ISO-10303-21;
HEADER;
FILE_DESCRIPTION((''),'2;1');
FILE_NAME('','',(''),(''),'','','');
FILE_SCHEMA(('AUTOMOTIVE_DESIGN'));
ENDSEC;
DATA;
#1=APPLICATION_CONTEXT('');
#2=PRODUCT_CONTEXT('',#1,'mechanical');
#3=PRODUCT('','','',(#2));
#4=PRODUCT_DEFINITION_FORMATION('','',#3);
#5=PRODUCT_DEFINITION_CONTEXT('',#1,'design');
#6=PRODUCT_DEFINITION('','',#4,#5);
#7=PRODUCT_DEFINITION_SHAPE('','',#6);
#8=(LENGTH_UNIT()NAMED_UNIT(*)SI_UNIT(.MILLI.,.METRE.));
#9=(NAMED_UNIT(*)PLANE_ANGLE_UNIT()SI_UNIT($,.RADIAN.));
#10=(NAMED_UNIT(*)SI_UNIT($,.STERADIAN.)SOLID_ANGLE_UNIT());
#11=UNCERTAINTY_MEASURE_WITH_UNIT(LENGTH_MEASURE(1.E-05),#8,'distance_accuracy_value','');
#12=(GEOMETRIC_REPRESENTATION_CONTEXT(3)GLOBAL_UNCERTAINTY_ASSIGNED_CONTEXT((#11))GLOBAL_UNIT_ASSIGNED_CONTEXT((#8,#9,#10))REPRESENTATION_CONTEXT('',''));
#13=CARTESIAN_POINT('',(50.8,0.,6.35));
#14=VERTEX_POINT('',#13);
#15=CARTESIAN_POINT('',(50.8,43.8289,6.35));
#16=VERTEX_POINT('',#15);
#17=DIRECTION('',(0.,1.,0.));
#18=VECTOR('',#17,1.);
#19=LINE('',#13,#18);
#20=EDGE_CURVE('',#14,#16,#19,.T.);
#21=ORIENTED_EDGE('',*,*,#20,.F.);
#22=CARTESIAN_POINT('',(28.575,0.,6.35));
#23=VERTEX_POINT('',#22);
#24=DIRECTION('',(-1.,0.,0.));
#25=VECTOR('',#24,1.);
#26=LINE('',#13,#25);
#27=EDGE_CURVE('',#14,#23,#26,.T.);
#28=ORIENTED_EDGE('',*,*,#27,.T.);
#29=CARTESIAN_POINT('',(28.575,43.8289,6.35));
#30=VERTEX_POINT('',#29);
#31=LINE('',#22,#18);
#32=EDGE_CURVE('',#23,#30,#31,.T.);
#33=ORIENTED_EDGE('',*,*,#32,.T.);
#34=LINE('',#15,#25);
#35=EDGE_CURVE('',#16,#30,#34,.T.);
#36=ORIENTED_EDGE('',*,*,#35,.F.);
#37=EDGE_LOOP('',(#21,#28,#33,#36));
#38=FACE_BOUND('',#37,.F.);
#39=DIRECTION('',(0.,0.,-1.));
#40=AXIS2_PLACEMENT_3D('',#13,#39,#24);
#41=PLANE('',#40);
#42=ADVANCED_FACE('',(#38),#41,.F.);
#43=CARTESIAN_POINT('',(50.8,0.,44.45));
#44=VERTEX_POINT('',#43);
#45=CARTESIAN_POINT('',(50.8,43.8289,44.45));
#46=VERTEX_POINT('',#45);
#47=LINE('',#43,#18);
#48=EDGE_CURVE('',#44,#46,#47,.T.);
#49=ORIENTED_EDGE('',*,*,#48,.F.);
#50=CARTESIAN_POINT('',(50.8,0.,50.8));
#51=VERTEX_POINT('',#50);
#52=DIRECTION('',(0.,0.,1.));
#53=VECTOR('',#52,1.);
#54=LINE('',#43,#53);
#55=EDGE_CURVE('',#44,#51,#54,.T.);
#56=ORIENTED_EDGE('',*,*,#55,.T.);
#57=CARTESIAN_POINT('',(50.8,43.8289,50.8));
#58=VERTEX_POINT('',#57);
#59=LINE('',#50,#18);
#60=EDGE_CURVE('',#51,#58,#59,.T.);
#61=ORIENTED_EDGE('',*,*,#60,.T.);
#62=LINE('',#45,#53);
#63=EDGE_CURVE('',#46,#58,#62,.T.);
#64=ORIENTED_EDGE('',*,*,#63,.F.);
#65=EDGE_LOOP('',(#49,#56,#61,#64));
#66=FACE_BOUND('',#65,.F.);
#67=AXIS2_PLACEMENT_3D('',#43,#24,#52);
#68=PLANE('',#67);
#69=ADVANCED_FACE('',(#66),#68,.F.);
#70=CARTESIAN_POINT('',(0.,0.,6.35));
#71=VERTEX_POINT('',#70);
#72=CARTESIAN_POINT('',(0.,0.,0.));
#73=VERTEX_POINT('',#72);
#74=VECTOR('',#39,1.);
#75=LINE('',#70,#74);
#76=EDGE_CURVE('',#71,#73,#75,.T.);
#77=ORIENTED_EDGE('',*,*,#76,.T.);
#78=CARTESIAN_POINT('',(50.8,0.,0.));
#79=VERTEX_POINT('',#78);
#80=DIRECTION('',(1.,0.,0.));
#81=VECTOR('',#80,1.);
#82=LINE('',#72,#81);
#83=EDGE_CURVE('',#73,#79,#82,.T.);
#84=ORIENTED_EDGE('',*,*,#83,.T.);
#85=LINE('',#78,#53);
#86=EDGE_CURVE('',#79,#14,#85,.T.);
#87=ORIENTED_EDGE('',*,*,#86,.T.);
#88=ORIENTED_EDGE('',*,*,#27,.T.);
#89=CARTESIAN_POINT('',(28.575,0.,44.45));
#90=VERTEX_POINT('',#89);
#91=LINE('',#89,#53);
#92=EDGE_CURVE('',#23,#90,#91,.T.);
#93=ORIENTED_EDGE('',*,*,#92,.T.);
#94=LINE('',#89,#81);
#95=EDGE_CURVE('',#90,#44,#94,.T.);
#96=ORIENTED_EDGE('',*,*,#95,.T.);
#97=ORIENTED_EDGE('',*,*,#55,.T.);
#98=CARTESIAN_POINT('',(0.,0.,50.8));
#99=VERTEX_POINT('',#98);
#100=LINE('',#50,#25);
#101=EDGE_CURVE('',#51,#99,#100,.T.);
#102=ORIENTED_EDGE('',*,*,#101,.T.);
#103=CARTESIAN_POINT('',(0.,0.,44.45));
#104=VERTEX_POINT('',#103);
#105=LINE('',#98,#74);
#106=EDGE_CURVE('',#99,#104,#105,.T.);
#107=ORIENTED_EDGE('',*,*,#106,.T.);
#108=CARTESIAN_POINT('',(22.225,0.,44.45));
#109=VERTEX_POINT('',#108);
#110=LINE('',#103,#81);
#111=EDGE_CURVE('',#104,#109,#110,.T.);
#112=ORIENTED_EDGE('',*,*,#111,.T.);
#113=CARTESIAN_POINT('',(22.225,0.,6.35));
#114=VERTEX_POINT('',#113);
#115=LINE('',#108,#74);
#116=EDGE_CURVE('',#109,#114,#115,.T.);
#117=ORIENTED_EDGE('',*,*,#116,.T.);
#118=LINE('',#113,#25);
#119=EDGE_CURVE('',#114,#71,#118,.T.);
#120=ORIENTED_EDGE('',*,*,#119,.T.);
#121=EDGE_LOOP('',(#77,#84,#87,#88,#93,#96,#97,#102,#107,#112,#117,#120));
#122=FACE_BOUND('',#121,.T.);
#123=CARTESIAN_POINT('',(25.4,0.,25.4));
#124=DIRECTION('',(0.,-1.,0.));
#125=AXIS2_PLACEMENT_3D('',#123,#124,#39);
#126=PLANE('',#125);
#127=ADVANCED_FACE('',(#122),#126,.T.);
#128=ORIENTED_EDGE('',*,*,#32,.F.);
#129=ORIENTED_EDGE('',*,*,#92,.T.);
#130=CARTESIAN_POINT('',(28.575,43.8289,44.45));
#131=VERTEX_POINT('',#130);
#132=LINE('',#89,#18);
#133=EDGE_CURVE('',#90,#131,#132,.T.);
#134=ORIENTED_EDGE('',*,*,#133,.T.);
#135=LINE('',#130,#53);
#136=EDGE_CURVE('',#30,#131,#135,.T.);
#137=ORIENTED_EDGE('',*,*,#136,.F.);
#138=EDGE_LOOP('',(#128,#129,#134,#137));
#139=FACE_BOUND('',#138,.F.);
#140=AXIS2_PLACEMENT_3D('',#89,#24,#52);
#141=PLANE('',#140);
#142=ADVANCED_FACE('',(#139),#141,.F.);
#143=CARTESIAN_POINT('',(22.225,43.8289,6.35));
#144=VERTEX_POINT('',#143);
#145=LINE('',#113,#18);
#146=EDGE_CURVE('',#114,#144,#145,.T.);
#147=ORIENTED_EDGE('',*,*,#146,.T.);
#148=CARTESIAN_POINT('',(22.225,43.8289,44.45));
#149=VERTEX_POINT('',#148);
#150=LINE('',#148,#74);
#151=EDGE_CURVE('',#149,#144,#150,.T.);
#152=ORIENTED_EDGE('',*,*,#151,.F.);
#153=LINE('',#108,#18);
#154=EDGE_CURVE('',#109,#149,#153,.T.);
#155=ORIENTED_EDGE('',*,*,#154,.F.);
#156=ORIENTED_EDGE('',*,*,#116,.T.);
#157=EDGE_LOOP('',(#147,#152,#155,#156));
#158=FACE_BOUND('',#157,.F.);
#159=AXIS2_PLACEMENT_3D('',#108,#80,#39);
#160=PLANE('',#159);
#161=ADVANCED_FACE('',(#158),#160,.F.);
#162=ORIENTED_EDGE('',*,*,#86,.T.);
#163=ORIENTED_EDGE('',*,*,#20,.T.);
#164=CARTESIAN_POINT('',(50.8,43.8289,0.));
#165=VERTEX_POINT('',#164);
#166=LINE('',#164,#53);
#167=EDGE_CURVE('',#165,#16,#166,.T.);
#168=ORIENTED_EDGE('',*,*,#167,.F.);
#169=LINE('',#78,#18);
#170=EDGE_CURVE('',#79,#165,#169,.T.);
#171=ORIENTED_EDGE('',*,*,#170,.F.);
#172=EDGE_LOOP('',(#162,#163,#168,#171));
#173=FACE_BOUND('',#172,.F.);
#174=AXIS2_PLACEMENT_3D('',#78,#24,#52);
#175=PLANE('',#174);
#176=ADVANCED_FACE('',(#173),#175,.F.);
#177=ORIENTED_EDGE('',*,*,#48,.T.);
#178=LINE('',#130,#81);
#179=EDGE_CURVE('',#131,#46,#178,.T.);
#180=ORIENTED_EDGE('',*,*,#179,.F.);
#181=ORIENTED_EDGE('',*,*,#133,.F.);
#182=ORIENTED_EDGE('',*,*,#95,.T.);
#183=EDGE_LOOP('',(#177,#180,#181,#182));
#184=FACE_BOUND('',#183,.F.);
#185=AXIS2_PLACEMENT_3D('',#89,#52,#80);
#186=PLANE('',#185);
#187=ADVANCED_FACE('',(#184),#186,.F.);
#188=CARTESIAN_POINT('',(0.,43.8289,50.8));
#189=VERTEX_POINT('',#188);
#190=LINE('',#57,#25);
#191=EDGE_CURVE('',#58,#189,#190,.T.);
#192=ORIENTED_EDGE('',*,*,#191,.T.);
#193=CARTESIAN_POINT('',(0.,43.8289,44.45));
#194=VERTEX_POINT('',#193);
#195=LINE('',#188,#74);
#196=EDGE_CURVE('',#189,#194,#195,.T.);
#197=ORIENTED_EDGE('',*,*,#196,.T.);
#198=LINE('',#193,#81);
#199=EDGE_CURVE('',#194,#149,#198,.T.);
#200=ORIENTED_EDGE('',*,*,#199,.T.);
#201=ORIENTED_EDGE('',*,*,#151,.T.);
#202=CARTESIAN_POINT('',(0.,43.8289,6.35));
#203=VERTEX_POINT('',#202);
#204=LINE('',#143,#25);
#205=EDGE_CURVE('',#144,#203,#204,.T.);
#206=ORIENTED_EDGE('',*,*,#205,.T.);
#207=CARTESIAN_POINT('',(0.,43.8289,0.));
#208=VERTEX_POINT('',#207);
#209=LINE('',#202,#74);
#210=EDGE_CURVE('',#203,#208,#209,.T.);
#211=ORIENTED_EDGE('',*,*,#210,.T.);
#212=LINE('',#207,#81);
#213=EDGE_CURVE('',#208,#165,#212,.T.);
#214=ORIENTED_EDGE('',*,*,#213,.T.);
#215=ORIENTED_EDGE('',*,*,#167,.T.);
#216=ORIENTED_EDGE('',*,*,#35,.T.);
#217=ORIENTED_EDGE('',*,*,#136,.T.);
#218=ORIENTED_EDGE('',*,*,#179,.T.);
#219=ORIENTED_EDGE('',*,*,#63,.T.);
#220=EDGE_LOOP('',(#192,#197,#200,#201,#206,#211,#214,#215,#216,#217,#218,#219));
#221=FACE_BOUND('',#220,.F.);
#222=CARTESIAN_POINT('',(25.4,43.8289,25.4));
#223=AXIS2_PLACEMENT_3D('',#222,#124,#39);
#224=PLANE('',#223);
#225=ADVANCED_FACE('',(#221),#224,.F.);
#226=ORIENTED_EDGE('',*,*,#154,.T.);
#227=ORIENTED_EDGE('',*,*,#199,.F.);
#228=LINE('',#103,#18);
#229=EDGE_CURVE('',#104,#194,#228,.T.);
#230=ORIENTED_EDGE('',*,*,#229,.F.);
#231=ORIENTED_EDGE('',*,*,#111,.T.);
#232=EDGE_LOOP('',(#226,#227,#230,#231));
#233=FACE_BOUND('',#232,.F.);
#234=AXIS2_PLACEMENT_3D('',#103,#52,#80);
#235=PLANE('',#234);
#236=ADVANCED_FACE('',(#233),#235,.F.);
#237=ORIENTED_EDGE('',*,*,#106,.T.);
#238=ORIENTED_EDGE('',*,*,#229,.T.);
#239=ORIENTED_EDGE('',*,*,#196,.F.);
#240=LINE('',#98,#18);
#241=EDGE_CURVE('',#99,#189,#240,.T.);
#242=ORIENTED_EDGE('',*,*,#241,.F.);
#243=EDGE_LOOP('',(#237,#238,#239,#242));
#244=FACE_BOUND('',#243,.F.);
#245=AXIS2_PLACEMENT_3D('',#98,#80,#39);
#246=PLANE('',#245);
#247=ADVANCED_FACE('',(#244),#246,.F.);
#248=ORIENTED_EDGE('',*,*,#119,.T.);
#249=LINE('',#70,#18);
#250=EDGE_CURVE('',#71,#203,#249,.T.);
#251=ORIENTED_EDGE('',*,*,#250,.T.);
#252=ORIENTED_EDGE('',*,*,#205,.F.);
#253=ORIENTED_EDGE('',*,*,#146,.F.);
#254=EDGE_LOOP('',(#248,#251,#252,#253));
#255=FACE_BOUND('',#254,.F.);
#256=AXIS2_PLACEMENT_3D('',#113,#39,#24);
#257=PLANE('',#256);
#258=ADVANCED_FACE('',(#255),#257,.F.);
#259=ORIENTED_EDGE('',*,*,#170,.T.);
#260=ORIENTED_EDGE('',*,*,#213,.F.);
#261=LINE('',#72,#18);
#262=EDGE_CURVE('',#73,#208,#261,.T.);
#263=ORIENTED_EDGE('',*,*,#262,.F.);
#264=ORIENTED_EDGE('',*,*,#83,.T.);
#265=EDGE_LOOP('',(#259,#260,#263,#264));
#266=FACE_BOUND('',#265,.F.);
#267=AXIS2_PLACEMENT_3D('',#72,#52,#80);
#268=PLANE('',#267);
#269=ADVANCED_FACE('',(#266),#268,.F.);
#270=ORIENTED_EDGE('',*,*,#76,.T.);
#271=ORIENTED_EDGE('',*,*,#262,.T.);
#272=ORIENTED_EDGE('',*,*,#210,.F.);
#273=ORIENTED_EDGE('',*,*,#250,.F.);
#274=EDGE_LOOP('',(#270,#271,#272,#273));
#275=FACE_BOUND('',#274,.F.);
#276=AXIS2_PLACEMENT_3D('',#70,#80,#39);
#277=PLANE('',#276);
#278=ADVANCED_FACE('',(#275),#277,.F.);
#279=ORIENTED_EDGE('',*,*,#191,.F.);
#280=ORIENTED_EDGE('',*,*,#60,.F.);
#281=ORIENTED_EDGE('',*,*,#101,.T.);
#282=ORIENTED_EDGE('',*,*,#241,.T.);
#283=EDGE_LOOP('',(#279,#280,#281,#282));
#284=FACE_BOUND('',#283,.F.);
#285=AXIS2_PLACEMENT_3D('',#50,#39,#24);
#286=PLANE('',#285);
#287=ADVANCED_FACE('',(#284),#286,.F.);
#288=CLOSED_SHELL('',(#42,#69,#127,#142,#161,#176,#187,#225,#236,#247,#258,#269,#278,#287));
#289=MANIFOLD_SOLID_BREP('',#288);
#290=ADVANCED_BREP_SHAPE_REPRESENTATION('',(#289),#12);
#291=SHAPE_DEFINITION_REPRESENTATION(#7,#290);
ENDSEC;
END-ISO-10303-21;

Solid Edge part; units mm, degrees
sketch "Sketch1" plane through (0, 0, 0) normal (1, 0, 0) x (0, 1, 0)
  line L0 (0, 0) -> (43.8289, 0)
sketch "Sketch2" plane through (0, 0, 0) normal (0, -1, 0) x (1, 0, 0)
  line L0 (0, 0) -> (50.8, 0)
  line L1 (50.8, 0) -> (50.8, 6.35)
  line L2 (50.8, 6.35) -> (28.575, 6.35)
  line L3 (28.575, 44.45) -> (28.575, 6.35)
  line L4 (28.575, 44.45) -> (50.8, 44.45)
  line L5 (50.8, 44.45) -> (50.8, 50.8)
  line L6 (50.8, 50.8) -> (0, 50.8)
  line L7 (0, 50.8) -> (0, 44.45)
  line L8 (0, 44.45) -> (22.225, 44.45)
  line L9 (22.225, 44.45) -> (22.225, 6.35)
  line L10 (22.225, 6.35) -> (0, 6.35)
  line L11 (0, 6.35) -> (0, 0)
  dimension "D1" = 6.35
  dimension "D2" = 50.8
  dimension "D3" = 50.8
sweep "SweptProtrusion_1" add profiles "Sketch2" path "Sketch1"
